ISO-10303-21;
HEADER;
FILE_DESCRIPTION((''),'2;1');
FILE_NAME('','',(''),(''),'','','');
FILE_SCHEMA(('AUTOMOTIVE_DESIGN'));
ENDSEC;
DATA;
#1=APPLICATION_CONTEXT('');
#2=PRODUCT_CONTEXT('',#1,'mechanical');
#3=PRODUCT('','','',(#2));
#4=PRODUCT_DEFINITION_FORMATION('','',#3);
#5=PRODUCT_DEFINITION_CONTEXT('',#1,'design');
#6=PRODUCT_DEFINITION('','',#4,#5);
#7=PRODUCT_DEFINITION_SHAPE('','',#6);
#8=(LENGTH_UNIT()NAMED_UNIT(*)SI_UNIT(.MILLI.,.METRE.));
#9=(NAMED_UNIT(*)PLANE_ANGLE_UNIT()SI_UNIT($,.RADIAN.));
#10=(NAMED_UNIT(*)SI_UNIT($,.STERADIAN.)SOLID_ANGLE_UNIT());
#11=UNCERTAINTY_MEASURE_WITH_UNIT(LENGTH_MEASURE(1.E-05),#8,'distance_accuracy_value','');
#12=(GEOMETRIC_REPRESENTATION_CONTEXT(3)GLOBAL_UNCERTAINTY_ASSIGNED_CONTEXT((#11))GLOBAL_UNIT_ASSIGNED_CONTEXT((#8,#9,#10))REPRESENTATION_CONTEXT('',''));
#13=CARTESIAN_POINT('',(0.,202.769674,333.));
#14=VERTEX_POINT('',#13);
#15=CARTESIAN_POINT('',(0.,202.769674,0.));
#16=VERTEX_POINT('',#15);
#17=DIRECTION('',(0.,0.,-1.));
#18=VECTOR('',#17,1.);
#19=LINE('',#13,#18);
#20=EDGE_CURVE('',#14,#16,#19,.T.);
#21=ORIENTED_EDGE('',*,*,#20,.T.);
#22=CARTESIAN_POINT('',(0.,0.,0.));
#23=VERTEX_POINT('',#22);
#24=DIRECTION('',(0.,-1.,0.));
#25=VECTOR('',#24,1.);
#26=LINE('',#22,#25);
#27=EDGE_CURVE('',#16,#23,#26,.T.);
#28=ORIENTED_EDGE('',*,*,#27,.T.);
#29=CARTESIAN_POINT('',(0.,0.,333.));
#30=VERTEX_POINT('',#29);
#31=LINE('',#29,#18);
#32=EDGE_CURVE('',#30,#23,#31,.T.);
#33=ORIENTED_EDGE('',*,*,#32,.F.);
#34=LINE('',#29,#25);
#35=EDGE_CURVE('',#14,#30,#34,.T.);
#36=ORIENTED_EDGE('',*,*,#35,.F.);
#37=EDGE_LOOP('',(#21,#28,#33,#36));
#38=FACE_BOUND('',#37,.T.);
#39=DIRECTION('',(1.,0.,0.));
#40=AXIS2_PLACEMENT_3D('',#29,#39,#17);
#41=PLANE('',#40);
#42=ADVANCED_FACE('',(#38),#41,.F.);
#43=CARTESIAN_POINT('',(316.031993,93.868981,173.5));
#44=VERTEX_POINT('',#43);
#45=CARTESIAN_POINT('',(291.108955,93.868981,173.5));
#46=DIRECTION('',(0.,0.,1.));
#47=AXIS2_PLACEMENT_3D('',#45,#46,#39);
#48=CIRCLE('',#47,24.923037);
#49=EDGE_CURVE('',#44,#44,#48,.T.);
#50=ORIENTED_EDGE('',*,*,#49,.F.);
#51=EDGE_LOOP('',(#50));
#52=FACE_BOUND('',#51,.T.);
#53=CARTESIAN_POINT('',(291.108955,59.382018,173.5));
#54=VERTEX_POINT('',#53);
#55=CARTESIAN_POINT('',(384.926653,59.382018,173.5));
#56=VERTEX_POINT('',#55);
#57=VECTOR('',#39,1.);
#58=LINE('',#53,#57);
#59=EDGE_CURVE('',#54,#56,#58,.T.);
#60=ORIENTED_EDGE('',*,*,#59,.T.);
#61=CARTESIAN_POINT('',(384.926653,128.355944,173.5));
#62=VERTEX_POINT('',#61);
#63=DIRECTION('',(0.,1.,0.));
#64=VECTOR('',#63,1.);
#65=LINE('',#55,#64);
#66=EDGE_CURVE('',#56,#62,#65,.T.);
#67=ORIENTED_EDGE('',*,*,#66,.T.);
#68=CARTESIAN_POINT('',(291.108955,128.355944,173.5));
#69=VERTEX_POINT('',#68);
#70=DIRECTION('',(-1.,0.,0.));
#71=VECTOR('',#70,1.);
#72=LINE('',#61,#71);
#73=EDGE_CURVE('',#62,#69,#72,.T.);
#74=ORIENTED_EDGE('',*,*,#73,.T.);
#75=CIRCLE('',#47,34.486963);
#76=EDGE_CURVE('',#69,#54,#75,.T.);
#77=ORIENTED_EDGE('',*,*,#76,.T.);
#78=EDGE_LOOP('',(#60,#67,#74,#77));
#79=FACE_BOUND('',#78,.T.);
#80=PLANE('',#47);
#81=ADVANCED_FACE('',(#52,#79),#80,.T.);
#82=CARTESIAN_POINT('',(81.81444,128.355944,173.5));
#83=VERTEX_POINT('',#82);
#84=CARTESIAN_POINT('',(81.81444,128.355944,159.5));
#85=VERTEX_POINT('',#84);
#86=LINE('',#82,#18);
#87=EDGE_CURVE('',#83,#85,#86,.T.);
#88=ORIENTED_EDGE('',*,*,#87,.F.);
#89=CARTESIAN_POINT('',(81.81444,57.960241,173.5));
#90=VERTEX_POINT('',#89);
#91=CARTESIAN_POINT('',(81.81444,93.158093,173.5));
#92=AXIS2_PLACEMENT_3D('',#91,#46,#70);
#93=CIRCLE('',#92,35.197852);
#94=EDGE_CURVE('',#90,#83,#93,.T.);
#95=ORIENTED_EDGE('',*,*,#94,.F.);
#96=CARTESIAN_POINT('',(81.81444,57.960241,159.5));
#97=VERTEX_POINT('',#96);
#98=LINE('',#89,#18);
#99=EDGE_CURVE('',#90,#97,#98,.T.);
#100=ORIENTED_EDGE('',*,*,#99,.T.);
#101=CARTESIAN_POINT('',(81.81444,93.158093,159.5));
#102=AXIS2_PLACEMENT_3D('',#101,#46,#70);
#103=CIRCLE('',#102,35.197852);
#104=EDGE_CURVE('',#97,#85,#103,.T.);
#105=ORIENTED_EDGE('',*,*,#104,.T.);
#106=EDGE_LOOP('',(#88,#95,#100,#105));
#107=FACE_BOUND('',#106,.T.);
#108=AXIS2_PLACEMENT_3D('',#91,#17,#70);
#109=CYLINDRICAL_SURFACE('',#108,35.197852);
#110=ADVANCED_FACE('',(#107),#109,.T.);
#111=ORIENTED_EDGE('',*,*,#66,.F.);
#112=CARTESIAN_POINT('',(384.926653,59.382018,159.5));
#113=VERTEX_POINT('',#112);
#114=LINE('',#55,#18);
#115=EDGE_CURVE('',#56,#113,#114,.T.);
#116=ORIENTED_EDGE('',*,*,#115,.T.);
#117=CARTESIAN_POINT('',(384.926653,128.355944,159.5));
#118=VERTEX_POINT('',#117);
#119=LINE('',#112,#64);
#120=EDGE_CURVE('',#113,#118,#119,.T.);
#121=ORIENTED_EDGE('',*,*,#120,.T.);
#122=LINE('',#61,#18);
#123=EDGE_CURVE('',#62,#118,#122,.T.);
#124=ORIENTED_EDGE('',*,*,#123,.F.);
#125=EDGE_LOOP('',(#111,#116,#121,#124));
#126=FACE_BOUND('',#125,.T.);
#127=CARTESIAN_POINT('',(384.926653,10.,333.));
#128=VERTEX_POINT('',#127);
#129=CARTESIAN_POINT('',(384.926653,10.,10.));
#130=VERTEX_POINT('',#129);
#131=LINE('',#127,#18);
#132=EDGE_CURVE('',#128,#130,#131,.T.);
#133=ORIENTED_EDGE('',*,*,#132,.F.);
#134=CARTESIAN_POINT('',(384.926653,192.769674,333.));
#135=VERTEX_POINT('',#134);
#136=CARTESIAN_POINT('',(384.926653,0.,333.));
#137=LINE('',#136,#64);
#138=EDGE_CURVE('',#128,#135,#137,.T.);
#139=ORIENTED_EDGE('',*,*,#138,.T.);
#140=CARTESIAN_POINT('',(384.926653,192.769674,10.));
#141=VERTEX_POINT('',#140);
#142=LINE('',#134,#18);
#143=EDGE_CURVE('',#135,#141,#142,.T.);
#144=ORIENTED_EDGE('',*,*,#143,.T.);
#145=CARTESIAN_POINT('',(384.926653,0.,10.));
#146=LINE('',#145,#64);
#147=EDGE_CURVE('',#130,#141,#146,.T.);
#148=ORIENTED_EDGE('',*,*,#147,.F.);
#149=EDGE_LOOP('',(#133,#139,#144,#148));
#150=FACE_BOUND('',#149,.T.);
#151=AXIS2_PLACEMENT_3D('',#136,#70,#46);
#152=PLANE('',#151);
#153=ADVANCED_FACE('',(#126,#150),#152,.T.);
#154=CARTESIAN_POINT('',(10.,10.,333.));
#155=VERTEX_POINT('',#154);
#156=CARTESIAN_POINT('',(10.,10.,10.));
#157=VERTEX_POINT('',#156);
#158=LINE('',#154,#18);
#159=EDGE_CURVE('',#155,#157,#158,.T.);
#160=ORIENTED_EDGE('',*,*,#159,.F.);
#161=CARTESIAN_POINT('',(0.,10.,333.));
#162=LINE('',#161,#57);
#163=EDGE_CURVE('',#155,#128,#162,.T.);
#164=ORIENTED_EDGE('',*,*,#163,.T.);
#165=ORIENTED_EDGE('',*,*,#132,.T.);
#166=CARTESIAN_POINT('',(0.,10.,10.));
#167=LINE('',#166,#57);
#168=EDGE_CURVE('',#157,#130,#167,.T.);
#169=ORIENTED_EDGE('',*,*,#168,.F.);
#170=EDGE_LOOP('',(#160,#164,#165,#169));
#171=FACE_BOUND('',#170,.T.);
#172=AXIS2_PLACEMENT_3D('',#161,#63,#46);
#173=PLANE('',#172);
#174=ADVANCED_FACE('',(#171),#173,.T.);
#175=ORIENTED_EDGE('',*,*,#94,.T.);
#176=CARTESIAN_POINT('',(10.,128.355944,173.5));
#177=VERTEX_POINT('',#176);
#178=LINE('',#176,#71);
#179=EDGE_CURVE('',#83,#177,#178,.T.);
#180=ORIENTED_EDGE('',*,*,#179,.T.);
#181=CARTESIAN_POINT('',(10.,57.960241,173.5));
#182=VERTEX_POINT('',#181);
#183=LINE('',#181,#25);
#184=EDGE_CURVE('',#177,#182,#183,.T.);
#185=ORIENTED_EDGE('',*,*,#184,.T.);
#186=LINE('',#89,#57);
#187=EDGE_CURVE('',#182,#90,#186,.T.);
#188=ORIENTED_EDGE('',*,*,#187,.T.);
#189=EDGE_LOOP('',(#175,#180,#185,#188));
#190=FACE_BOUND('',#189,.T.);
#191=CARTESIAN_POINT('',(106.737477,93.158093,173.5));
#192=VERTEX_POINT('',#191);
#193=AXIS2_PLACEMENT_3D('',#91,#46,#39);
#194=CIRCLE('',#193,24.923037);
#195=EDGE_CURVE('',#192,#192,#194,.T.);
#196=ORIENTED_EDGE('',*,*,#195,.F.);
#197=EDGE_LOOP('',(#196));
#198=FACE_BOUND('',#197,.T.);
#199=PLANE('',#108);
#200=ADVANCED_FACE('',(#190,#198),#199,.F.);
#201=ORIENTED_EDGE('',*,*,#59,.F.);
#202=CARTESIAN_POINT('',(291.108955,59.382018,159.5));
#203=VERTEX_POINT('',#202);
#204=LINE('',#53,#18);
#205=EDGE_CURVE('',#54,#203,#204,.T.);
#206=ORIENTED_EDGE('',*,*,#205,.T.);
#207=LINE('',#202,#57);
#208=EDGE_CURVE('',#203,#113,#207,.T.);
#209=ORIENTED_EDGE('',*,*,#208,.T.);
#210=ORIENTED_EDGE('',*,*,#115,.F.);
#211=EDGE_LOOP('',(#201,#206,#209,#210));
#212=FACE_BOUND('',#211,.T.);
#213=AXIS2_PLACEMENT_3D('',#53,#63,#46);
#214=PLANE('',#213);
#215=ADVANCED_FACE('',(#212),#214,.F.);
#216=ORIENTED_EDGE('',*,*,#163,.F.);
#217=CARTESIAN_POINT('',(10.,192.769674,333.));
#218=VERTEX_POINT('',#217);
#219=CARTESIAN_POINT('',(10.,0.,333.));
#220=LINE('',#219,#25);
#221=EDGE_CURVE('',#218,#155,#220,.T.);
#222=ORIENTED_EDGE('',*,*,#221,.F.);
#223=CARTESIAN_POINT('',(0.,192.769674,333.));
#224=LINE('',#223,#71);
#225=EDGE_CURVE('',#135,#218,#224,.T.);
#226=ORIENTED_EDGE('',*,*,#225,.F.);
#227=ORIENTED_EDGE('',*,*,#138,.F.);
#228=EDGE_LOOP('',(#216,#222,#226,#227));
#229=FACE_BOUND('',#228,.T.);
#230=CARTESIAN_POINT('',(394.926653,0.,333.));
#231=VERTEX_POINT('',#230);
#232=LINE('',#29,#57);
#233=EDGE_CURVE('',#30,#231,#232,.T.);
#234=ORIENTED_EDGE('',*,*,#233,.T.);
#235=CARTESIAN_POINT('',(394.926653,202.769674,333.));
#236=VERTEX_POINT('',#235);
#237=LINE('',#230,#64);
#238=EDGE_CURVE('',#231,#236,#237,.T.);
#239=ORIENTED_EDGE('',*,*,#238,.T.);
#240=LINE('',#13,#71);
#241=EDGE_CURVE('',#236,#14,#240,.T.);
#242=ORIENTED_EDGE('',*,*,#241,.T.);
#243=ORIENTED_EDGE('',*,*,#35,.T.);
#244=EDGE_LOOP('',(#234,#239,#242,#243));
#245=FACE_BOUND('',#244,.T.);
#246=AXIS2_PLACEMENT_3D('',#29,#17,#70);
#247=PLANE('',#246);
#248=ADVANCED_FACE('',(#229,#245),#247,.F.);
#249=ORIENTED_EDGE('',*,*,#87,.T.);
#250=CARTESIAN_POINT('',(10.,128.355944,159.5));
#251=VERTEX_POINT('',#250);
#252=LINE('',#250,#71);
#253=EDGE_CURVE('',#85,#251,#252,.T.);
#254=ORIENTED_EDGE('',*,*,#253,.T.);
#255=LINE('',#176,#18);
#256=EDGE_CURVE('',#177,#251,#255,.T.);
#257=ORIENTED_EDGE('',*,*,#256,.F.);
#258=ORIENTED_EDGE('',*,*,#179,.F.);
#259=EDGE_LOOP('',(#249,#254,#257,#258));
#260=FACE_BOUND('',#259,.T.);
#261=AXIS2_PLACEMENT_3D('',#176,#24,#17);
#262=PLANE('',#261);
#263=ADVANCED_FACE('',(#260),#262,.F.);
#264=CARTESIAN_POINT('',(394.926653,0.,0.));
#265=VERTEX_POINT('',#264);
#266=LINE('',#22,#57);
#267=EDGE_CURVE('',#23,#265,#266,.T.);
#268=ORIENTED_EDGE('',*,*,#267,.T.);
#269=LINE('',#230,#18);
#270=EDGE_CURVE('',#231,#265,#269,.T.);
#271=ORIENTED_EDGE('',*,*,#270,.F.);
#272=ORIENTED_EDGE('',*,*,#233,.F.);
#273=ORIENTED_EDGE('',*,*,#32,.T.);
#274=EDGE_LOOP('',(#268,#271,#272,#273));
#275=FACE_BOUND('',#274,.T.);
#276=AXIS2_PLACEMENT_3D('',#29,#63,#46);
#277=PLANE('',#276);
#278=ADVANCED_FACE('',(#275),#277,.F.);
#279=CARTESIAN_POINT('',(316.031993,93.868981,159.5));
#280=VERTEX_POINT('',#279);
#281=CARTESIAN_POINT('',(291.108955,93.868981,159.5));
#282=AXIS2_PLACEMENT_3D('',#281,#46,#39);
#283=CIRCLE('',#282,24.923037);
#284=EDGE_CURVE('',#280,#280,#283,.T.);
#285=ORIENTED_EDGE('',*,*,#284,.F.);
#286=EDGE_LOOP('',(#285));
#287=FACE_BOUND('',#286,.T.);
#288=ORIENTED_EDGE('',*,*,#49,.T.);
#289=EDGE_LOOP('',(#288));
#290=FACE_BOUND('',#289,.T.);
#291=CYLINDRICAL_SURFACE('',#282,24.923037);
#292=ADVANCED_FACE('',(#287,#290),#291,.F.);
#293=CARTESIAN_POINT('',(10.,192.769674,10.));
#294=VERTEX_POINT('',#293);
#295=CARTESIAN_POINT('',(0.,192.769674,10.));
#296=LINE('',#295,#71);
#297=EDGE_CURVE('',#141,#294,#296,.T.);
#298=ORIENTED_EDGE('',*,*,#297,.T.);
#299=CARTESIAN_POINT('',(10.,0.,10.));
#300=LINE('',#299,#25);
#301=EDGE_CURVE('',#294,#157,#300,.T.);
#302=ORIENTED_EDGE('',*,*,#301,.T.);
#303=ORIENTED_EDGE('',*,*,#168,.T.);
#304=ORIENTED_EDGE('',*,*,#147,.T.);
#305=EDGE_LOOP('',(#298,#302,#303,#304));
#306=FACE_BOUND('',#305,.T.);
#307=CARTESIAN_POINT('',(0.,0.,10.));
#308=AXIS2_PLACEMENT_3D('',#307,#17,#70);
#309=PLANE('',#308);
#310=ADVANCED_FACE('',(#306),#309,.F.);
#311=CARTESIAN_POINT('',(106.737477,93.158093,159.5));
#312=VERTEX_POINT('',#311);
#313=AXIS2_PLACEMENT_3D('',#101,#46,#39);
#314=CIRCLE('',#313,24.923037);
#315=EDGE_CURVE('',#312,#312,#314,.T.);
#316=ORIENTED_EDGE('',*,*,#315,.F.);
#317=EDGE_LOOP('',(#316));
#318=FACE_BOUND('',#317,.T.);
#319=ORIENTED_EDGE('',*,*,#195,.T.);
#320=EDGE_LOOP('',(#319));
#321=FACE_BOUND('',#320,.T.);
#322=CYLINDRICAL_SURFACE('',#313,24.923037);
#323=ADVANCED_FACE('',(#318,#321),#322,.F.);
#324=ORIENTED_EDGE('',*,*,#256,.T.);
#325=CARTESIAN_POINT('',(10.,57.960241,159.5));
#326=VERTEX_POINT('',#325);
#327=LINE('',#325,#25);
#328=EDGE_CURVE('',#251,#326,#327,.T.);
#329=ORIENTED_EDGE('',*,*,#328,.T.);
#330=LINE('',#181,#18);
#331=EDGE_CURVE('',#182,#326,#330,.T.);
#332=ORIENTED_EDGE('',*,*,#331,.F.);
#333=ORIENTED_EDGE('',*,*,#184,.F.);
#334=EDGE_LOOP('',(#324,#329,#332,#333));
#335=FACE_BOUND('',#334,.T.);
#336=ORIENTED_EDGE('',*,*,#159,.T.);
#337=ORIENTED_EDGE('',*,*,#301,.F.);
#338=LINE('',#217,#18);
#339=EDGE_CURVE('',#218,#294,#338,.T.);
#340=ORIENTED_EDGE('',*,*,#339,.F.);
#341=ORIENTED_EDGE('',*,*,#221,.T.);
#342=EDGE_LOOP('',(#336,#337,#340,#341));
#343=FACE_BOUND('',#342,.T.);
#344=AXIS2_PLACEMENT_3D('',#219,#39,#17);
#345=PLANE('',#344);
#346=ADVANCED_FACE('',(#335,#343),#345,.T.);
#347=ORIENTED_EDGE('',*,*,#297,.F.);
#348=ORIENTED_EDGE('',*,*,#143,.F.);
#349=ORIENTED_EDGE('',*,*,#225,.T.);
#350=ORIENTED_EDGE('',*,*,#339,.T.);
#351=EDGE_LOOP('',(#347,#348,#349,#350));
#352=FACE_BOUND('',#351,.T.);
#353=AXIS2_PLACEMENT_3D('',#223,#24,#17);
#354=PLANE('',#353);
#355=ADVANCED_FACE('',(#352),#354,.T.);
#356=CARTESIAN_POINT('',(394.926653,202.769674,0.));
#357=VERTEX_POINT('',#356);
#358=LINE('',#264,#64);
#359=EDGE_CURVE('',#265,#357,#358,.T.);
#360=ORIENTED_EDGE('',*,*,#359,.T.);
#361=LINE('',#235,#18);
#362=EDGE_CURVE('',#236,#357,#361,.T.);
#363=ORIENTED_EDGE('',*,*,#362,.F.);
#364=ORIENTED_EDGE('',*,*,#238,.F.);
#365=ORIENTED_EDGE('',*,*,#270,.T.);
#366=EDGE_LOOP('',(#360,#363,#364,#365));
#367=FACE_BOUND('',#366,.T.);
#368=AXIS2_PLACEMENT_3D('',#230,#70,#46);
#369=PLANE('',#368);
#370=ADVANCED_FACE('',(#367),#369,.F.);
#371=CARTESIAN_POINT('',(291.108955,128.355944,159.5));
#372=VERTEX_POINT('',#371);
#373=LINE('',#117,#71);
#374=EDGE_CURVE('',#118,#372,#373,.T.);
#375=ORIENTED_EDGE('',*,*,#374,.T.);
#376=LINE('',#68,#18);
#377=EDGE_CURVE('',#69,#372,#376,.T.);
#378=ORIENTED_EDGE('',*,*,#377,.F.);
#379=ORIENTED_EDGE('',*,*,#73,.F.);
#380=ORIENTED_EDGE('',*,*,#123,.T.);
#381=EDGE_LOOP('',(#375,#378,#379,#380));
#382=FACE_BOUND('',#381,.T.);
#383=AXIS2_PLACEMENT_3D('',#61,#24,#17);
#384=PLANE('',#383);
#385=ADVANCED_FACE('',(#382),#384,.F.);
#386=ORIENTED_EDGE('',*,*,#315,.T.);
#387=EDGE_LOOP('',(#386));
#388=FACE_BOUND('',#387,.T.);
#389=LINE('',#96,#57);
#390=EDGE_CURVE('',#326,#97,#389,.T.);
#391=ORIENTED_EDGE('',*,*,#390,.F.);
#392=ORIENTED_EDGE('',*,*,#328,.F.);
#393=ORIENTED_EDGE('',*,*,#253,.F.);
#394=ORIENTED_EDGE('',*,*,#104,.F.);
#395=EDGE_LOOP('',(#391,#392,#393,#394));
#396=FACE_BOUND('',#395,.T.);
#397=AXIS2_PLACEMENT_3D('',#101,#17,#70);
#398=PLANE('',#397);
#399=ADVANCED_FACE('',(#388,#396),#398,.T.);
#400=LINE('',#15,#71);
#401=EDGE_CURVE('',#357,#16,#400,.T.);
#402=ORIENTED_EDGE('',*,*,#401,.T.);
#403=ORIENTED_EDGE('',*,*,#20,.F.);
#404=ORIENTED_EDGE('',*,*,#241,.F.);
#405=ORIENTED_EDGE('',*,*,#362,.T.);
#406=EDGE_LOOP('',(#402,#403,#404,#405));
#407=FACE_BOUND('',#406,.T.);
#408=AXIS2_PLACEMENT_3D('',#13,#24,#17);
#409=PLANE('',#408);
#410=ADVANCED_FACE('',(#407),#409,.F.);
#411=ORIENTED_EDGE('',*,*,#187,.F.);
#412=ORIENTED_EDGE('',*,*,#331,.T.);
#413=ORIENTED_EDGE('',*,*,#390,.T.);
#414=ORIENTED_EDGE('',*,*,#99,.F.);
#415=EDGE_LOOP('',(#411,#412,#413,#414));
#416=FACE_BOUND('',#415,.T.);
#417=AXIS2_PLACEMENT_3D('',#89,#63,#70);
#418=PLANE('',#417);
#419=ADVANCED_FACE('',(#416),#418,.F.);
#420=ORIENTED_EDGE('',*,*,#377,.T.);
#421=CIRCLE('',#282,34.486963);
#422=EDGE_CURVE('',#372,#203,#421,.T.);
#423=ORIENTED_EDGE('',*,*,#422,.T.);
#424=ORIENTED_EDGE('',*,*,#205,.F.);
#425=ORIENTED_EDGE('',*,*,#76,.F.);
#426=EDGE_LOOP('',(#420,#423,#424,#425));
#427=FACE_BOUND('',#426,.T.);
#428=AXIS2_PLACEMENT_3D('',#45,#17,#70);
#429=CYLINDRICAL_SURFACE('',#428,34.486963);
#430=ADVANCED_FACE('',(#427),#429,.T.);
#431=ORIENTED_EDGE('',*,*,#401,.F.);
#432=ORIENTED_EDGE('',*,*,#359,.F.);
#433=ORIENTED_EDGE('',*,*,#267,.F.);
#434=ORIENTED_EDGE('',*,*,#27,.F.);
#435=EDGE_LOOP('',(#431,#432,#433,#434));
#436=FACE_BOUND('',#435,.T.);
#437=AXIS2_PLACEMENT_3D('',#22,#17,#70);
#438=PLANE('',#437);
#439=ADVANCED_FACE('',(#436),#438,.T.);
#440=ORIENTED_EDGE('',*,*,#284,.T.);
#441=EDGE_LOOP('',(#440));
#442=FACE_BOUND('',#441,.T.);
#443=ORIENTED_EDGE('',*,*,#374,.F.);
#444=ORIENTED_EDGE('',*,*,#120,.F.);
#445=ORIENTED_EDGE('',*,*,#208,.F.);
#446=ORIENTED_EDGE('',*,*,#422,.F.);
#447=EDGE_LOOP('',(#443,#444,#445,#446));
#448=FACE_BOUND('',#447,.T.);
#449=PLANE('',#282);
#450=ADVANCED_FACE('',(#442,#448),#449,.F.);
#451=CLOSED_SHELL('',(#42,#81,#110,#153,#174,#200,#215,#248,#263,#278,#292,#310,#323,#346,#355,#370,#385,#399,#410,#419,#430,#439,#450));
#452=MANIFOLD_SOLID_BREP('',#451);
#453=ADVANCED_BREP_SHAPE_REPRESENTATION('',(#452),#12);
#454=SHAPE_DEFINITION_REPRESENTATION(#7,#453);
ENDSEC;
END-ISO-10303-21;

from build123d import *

# Parameters (mm, degrees)
SKETCH1_W           = 394.926652775
SKETCH1_H           = 202.769674437
BOSS_EXTRUDE1_DEPTH = 333
SHELL5_T            = -10
BOSS_EXTRUDE2_DEPTH = 7
SKETCH19_R          = 24.92303726
CUT_EXTRUDE1_DEPTH  = 14
BOSS_EXTRUDE3_DEPTH = 7
SKETCH23_R          = 24.92303726
CUT_EXTRUDE2_DEPTH  = 14


with BuildPart() as part:
    # Sketch1 → Boss-Extrude1 (new body)
    with BuildSketch(Plane.XY):
        with Locations((197.463326388, 101.384837219)):
            Rectangle(SKETCH1_W, SKETCH1_H)
    extrude(amount=BOSS_EXTRUDE1_DEPTH)

    # Shell5
    shell5_openings = [part.faces().sort_by_distance(p)[0] for p in [
        (197.463326387, 101.384837219, 333),
    ]]
    offset(amount=SHELL5_T, openings=shell5_openings, kind=Kind.INTERSECTION)

    # Sketch18 → Boss-Extrude2 (add, symmetric)
    with BuildSketch(Plane.XY.offset(166.5)):
        with BuildLine():
            Line((10, 128.355944405), (81.814439739, 128.355944405))
            ThreePointArc((81.814439739, 128.355944405), (117.012291579, 93.158092565), (81.814439739, 57.960240724))
            Line((81.814439739, 57.960240724), (10, 57.960240724))
            Line((10, 57.960240724), (10, 128.355944405))
        make_face()
    extrude(amount=BOSS_EXTRUDE2_DEPTH, both=True)

    # Sketch19 → Cut-Extrude1 (cut)
    with BuildSketch(Plane.XY.offset(173.5)):
        with Locations((81.814439739, 93.158092565)):
            Circle(SKETCH19_R)
    extrude(amount=-CUT_EXTRUDE1_DEPTH, mode=Mode.SUBTRACT)

    # Sketch22 → Boss-Extrude3 (add, symmetric)
    with BuildSketch(Plane.XY.offset(166.5)):
        with BuildLine():
            Line((384.926652775, 128.355944405), (291.108955259, 128.355944405))
            ThreePointArc((291.108955259, 128.355944405), (256.621992249, 93.868981396), (291.108955259, 59.382018386))
            Line((291.108955259, 59.382018386), (384.926652775, 59.382018386))
            Line((384.926652775, 59.382018386), (384.926652775, 128.355944405))
        make_face()
    extrude(amount=BOSS_EXTRUDE3_DEPTH, both=True)

    # Sketch23 → Cut-Extrude2 (cut)
    with BuildSketch(Plane.XY.offset(173.5)):
        with Locations((291.108955259, 93.868981396)):
            Circle(SKETCH23_R)
    extrude(amount=-CUT_EXTRUDE2_DEPTH, mode=Mode.SUBTRACT)


solid = part.part
